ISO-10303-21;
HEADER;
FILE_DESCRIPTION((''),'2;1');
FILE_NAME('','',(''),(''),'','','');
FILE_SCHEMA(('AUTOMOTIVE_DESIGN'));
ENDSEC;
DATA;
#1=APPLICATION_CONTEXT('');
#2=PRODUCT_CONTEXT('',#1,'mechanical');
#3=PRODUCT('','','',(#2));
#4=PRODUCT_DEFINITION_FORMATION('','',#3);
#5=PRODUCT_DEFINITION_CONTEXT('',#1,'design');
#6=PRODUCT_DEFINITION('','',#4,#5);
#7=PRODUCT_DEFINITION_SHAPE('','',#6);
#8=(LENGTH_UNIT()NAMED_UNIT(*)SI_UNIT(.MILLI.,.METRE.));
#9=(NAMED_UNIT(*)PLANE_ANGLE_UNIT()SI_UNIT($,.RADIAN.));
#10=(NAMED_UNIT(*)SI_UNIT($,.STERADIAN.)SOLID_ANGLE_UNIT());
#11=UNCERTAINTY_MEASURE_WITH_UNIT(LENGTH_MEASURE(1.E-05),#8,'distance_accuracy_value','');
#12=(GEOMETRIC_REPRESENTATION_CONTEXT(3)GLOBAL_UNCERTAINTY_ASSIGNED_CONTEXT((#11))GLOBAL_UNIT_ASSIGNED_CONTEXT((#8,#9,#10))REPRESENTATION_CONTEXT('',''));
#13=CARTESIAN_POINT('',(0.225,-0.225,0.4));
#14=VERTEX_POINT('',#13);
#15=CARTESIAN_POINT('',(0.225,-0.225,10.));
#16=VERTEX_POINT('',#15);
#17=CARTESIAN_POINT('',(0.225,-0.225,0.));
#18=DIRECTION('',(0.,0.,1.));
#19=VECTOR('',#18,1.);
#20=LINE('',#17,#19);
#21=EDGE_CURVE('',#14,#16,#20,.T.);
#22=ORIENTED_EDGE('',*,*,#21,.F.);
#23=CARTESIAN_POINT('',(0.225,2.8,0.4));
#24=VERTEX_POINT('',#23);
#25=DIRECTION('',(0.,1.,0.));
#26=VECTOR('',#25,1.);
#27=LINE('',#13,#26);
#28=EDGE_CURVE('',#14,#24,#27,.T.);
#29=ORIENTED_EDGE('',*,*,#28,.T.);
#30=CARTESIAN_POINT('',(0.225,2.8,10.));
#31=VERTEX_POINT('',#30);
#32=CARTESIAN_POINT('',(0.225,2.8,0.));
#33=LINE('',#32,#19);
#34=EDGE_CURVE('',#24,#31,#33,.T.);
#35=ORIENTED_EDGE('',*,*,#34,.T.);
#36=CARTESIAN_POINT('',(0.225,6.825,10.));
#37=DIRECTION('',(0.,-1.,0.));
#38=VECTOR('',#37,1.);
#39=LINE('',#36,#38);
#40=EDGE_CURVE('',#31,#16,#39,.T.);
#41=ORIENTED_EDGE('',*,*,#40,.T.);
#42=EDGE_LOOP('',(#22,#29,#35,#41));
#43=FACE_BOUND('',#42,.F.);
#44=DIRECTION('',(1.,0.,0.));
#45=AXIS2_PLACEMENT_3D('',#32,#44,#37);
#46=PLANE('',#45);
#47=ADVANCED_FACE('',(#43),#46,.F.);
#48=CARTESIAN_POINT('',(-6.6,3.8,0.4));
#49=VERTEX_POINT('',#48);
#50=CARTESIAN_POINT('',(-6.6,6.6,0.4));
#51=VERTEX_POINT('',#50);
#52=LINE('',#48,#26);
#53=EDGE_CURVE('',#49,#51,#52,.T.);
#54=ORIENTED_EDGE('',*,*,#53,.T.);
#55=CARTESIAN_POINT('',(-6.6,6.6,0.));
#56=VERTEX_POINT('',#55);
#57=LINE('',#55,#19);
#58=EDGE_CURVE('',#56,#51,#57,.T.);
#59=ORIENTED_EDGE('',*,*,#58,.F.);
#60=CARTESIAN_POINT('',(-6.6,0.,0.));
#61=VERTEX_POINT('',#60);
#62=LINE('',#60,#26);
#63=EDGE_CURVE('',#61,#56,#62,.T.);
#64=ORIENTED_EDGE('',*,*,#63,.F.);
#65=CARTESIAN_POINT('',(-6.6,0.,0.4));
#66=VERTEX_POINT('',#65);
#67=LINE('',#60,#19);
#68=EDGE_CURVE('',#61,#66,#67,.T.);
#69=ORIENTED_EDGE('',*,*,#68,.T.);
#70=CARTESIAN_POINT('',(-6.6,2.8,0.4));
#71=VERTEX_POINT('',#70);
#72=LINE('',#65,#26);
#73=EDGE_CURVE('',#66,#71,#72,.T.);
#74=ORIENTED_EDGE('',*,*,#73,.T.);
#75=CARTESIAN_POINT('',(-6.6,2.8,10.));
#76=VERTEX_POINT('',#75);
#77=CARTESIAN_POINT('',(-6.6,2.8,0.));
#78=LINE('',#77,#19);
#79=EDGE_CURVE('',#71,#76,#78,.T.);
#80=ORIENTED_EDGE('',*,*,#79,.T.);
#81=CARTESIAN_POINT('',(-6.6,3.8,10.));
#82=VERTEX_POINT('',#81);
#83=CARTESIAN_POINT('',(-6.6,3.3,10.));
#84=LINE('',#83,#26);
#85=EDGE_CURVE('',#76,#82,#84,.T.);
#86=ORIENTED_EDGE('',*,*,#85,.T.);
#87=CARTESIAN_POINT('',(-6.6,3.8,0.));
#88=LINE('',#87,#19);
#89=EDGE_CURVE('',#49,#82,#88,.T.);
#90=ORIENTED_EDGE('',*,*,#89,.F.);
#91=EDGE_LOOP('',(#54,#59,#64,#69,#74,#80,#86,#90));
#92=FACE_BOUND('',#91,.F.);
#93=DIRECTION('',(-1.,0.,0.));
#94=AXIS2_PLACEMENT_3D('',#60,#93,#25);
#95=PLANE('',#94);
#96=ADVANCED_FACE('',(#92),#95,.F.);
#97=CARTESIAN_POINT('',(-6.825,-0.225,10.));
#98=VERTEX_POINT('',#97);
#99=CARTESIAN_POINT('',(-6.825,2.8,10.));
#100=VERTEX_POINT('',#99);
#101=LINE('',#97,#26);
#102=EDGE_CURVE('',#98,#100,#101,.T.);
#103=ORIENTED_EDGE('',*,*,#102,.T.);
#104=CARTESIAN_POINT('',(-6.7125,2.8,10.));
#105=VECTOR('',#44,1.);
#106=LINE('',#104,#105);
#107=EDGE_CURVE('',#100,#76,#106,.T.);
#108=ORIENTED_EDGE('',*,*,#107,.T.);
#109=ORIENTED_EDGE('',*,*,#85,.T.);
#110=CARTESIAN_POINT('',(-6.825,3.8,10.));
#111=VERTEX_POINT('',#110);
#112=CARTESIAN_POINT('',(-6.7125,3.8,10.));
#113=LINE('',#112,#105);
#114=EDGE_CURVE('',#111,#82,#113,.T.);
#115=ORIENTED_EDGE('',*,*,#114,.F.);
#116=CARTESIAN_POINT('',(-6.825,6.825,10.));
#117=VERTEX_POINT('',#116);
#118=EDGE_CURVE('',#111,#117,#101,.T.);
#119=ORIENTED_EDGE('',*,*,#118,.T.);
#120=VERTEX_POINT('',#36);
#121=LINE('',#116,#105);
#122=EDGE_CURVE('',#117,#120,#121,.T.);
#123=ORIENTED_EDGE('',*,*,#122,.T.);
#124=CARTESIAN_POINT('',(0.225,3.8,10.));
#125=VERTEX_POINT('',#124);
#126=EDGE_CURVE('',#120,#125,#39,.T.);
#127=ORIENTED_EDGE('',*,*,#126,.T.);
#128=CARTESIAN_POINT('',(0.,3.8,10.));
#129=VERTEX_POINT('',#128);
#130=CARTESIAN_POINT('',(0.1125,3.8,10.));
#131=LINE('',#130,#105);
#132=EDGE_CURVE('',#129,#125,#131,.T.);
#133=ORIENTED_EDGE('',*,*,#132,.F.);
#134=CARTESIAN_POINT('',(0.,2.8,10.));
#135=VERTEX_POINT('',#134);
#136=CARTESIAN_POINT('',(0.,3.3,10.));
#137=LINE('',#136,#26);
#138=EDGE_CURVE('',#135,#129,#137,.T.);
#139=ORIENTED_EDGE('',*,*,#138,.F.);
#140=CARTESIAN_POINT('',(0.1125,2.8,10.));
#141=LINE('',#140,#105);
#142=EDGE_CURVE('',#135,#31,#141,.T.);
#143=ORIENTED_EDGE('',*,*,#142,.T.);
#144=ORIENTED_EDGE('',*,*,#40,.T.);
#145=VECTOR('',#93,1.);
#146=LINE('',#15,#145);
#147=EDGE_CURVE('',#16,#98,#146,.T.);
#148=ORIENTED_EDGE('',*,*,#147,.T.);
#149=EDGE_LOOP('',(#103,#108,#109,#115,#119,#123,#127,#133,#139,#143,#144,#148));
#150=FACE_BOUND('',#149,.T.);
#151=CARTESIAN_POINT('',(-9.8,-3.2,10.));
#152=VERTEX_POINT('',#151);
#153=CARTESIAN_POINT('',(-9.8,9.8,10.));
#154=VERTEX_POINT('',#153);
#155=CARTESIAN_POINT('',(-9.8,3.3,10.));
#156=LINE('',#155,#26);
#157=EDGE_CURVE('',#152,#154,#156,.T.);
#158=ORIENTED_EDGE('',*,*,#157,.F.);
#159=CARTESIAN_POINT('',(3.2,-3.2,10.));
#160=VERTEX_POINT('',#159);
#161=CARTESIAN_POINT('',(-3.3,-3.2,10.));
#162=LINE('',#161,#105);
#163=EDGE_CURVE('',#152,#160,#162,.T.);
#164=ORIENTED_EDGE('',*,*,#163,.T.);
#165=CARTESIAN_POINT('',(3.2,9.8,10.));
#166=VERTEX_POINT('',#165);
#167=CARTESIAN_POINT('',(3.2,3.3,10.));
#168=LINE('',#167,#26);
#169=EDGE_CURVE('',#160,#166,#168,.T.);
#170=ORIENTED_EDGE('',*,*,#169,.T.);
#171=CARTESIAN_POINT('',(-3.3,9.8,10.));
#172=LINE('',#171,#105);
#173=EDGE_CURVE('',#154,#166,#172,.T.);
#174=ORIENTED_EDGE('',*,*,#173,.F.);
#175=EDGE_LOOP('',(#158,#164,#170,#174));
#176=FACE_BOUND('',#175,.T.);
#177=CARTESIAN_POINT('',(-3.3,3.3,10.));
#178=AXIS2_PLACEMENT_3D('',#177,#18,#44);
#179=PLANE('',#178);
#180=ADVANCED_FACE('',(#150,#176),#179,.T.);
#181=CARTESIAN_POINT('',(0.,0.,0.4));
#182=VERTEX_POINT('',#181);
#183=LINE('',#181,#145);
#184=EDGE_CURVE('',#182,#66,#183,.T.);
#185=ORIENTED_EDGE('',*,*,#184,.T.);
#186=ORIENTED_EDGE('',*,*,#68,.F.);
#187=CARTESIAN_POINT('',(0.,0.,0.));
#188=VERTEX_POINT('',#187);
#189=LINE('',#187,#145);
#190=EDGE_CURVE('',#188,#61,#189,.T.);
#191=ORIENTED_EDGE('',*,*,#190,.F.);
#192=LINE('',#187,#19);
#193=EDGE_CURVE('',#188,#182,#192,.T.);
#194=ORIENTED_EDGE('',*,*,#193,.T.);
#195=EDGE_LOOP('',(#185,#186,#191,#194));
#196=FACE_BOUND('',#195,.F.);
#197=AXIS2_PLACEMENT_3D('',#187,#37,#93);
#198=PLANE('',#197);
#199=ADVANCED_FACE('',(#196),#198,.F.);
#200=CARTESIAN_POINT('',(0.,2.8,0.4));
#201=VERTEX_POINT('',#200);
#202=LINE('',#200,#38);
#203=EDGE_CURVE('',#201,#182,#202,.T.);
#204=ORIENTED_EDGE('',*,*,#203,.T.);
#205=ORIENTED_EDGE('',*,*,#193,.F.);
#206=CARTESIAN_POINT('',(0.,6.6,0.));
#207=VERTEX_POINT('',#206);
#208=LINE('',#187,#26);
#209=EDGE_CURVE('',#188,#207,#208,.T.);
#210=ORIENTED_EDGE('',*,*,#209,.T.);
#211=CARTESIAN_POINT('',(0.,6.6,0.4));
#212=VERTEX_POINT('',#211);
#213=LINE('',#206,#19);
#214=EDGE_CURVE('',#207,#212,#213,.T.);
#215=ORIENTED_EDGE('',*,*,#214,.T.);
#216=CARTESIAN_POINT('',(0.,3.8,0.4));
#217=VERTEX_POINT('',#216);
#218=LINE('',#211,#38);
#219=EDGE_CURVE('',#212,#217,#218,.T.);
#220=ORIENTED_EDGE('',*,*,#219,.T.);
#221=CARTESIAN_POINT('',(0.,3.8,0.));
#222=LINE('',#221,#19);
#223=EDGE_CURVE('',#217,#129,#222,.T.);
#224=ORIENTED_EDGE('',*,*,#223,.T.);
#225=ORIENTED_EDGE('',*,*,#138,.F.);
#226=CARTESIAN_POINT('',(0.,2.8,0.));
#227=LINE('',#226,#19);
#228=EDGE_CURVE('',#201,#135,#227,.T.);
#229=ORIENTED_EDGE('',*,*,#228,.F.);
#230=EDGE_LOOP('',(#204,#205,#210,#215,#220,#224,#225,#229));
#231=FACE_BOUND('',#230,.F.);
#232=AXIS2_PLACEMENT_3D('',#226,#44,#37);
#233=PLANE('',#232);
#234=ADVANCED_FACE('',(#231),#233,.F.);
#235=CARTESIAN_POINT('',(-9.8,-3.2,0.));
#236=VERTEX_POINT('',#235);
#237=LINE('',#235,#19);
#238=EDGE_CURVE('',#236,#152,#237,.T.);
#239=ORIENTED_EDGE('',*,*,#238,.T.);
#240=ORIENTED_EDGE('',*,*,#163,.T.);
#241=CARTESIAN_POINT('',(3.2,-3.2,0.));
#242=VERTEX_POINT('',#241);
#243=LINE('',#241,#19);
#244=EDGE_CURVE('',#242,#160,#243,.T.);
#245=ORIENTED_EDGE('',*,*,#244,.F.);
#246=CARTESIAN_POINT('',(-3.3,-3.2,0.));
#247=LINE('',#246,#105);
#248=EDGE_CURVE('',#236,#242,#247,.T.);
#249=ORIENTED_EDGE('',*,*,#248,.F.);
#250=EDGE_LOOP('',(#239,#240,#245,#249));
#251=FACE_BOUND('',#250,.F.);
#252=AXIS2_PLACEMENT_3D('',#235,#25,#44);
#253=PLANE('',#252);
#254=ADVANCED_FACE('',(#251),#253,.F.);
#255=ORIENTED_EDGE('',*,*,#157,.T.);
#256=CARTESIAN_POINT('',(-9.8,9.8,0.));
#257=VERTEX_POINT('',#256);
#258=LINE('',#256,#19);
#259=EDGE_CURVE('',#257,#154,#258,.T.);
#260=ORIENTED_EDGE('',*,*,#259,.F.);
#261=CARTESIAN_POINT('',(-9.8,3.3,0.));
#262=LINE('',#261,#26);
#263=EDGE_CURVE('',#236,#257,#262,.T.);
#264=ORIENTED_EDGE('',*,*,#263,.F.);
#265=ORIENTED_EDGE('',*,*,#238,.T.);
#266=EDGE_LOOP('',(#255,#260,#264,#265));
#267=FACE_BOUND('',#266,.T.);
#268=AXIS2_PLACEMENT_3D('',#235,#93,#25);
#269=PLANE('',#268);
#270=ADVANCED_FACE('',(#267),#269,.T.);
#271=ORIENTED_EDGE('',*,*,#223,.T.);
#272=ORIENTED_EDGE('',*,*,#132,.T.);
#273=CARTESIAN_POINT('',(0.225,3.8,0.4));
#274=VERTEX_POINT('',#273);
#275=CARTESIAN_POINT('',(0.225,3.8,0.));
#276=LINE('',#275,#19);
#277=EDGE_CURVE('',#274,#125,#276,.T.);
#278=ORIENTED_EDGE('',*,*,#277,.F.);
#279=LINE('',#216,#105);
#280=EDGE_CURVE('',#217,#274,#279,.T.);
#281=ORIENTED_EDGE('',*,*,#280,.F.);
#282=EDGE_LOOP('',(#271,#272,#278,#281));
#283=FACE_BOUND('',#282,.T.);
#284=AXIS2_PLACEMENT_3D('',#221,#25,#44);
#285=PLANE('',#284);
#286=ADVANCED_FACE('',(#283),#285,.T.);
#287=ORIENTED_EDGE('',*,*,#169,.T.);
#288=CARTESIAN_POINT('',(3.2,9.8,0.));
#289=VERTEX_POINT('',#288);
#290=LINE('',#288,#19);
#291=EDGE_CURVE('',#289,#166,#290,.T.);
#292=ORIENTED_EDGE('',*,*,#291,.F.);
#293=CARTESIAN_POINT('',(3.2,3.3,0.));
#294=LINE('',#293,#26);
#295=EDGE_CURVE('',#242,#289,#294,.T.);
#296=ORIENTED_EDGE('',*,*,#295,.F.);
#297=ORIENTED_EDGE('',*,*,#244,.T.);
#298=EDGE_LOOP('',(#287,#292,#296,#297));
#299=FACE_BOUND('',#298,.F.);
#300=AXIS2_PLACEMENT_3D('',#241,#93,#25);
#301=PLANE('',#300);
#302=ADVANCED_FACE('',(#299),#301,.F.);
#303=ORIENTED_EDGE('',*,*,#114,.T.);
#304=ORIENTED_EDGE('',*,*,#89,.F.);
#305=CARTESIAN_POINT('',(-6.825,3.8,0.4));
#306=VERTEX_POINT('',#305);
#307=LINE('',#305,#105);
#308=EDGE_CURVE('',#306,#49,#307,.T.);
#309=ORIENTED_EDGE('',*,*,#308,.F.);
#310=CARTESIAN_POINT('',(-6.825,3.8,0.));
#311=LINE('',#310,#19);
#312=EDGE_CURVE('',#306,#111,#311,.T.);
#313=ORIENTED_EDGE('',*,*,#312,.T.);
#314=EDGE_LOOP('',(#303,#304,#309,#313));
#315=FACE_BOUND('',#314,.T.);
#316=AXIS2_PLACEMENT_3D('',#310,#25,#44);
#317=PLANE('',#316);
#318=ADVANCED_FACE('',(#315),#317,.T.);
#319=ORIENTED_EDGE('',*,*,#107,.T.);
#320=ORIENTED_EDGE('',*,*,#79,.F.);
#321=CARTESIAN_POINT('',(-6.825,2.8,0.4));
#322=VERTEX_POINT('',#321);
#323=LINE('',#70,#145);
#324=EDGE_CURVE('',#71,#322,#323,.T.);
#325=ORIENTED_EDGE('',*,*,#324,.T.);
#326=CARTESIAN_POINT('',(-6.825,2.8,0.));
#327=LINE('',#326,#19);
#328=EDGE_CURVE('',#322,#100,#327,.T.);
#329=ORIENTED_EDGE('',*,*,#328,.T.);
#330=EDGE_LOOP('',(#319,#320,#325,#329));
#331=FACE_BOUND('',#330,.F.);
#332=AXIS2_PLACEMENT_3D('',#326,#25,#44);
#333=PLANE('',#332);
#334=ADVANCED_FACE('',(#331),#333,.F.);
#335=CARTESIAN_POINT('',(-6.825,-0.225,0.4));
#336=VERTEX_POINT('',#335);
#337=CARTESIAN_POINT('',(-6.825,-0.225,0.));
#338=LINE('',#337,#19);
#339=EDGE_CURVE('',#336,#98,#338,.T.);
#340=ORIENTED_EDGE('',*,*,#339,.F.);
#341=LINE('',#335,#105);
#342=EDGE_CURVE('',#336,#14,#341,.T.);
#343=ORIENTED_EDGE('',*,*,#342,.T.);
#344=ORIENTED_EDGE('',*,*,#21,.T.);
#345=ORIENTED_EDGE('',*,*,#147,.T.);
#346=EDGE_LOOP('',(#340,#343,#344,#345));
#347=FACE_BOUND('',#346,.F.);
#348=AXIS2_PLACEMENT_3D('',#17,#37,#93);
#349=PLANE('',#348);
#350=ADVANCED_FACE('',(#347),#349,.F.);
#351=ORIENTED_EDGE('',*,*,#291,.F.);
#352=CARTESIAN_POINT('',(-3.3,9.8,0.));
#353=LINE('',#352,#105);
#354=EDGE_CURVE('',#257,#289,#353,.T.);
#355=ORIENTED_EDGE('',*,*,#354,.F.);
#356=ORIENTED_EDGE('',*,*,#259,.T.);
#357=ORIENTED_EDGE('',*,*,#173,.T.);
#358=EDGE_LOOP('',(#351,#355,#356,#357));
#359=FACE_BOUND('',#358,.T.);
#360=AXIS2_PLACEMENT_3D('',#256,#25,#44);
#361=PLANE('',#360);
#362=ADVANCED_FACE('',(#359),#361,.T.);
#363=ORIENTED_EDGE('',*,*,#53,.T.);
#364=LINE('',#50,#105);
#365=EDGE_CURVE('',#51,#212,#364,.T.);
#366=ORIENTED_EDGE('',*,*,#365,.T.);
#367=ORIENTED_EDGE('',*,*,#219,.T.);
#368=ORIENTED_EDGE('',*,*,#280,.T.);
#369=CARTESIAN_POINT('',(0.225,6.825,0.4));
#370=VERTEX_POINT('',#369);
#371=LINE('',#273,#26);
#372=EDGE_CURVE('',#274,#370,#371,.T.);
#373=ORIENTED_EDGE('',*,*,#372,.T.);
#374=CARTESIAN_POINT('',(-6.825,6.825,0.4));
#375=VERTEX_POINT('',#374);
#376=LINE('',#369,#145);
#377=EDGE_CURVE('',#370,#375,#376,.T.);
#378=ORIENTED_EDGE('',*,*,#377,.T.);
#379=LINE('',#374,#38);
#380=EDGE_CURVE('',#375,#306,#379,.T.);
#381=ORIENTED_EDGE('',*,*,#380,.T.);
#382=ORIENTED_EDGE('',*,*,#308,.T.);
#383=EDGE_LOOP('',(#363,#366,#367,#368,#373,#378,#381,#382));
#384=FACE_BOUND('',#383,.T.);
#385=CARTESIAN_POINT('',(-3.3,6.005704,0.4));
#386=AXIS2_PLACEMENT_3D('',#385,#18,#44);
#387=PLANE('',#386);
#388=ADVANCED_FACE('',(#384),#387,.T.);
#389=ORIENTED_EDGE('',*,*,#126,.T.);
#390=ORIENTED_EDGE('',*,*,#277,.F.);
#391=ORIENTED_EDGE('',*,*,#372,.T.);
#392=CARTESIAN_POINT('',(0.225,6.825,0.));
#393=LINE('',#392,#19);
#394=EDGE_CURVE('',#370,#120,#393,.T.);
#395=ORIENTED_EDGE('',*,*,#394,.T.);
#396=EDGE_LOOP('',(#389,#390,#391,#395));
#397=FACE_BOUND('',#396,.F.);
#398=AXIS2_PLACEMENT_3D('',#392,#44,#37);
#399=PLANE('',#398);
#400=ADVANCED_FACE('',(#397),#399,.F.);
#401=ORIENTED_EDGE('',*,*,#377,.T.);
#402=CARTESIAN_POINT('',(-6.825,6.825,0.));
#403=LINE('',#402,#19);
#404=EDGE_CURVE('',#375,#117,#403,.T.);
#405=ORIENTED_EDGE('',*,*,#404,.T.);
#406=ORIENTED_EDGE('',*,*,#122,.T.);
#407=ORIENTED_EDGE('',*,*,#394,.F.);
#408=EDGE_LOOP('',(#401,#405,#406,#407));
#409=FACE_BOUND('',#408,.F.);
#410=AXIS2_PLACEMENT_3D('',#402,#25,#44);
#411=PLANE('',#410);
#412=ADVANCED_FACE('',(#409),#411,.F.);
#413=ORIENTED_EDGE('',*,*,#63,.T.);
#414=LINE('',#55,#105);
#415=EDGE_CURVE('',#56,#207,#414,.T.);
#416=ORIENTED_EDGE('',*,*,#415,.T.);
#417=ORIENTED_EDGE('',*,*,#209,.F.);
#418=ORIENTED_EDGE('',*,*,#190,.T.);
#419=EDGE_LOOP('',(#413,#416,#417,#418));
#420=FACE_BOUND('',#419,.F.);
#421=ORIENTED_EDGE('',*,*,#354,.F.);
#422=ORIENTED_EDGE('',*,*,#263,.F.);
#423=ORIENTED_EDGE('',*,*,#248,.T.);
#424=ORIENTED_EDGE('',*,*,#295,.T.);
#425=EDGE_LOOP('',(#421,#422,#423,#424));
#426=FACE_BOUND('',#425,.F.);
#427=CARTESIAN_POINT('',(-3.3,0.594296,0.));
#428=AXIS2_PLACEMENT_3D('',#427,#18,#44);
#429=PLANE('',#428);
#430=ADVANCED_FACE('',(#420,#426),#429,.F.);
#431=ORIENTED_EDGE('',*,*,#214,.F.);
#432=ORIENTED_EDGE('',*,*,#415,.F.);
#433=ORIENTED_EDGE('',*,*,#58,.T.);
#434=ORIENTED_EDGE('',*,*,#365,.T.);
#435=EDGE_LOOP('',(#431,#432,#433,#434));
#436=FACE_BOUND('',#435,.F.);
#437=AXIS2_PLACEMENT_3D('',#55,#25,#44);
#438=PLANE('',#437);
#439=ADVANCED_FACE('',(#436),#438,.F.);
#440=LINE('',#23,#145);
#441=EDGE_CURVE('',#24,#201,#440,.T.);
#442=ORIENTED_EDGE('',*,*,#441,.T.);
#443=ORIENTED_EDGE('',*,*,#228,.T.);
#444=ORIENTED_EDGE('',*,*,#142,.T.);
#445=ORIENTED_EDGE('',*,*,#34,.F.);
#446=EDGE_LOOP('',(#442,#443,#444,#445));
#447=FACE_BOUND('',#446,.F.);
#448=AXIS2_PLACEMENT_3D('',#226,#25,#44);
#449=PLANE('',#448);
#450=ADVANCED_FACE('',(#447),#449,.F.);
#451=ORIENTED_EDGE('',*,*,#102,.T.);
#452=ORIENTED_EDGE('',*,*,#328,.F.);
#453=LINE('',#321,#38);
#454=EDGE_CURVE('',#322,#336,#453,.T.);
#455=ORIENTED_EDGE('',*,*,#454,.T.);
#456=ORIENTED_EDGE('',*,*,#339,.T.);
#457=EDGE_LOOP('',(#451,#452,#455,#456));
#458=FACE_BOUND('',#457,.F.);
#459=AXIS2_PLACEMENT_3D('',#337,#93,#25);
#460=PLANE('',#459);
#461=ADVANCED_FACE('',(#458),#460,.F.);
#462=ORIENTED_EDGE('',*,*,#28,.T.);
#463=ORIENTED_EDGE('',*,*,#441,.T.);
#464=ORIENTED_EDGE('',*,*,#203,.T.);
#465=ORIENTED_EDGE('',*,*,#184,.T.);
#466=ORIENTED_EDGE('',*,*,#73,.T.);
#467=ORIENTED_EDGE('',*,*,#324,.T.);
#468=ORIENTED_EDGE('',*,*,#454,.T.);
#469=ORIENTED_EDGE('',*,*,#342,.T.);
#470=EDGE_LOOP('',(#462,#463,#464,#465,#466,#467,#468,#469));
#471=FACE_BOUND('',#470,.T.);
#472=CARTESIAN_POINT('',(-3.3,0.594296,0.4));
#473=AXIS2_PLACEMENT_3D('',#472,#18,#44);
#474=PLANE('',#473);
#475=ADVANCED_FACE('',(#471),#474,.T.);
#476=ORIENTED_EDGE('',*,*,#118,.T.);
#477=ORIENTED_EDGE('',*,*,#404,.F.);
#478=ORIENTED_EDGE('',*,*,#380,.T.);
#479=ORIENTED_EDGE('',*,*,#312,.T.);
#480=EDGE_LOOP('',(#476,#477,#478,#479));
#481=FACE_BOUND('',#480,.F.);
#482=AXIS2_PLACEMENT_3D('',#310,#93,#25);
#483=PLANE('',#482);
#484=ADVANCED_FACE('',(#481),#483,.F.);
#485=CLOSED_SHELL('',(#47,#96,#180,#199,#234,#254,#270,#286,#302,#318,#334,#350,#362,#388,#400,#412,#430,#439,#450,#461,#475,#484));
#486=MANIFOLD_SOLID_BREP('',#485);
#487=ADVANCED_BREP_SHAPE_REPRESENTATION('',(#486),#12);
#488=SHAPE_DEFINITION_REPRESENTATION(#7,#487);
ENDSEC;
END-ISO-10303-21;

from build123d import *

# Parameters (mm, degrees)
F0_W     = 13
F0_H     = 13
F0_W_2   = 0.225
F0_H_2   = 1
F1_DEPTH = 10
F2_DEPTH = 0.4


with BuildPart() as f1:
    # F0 (on Top) → F1 (new body)
    with BuildSketch(Plane.XY):
        with Locations((-3.3, 3.3)):
            Rectangle(F0_W, F0_H)
        Polygon((-6.825, 2.8), (-6.825, 3.8), (-6.825, 6.825), (0.225, 6.825), (0.225, 3.8), (0.225, 2.8), (0.225, -0.225), (-6.825, -0.225), align=None, mode=Mode.SUBTRACT)
        with Locations((0.1125, 3.3)):
            Rectangle(F0_W_2, F0_H_2)
        with Locations((-6.7125, 3.3)):
            Rectangle(F0_W_2, F0_H_2)
    extrude(amount=F1_DEPTH)

    # F0 (on Top) → F2 (join)
    with BuildSketch(Plane.XY):
        Polygon((-6.6, 0), (-6.6, 2.8), (-6.825, 2.8), (-6.825, -0.225), (0.225, -0.225), (0.225, 2.8), (0, 2.8), (0, 0), align=None)
        Polygon((-6.6, 3.8), (-6.6, 6.6), (0, 6.6), (0, 3.8), (0.225, 3.8), (0.225, 6.825), (-6.825, 6.825), (-6.825, 3.8), align=None)
    extrude(amount=F2_DEPTH)


solid = f1.part
